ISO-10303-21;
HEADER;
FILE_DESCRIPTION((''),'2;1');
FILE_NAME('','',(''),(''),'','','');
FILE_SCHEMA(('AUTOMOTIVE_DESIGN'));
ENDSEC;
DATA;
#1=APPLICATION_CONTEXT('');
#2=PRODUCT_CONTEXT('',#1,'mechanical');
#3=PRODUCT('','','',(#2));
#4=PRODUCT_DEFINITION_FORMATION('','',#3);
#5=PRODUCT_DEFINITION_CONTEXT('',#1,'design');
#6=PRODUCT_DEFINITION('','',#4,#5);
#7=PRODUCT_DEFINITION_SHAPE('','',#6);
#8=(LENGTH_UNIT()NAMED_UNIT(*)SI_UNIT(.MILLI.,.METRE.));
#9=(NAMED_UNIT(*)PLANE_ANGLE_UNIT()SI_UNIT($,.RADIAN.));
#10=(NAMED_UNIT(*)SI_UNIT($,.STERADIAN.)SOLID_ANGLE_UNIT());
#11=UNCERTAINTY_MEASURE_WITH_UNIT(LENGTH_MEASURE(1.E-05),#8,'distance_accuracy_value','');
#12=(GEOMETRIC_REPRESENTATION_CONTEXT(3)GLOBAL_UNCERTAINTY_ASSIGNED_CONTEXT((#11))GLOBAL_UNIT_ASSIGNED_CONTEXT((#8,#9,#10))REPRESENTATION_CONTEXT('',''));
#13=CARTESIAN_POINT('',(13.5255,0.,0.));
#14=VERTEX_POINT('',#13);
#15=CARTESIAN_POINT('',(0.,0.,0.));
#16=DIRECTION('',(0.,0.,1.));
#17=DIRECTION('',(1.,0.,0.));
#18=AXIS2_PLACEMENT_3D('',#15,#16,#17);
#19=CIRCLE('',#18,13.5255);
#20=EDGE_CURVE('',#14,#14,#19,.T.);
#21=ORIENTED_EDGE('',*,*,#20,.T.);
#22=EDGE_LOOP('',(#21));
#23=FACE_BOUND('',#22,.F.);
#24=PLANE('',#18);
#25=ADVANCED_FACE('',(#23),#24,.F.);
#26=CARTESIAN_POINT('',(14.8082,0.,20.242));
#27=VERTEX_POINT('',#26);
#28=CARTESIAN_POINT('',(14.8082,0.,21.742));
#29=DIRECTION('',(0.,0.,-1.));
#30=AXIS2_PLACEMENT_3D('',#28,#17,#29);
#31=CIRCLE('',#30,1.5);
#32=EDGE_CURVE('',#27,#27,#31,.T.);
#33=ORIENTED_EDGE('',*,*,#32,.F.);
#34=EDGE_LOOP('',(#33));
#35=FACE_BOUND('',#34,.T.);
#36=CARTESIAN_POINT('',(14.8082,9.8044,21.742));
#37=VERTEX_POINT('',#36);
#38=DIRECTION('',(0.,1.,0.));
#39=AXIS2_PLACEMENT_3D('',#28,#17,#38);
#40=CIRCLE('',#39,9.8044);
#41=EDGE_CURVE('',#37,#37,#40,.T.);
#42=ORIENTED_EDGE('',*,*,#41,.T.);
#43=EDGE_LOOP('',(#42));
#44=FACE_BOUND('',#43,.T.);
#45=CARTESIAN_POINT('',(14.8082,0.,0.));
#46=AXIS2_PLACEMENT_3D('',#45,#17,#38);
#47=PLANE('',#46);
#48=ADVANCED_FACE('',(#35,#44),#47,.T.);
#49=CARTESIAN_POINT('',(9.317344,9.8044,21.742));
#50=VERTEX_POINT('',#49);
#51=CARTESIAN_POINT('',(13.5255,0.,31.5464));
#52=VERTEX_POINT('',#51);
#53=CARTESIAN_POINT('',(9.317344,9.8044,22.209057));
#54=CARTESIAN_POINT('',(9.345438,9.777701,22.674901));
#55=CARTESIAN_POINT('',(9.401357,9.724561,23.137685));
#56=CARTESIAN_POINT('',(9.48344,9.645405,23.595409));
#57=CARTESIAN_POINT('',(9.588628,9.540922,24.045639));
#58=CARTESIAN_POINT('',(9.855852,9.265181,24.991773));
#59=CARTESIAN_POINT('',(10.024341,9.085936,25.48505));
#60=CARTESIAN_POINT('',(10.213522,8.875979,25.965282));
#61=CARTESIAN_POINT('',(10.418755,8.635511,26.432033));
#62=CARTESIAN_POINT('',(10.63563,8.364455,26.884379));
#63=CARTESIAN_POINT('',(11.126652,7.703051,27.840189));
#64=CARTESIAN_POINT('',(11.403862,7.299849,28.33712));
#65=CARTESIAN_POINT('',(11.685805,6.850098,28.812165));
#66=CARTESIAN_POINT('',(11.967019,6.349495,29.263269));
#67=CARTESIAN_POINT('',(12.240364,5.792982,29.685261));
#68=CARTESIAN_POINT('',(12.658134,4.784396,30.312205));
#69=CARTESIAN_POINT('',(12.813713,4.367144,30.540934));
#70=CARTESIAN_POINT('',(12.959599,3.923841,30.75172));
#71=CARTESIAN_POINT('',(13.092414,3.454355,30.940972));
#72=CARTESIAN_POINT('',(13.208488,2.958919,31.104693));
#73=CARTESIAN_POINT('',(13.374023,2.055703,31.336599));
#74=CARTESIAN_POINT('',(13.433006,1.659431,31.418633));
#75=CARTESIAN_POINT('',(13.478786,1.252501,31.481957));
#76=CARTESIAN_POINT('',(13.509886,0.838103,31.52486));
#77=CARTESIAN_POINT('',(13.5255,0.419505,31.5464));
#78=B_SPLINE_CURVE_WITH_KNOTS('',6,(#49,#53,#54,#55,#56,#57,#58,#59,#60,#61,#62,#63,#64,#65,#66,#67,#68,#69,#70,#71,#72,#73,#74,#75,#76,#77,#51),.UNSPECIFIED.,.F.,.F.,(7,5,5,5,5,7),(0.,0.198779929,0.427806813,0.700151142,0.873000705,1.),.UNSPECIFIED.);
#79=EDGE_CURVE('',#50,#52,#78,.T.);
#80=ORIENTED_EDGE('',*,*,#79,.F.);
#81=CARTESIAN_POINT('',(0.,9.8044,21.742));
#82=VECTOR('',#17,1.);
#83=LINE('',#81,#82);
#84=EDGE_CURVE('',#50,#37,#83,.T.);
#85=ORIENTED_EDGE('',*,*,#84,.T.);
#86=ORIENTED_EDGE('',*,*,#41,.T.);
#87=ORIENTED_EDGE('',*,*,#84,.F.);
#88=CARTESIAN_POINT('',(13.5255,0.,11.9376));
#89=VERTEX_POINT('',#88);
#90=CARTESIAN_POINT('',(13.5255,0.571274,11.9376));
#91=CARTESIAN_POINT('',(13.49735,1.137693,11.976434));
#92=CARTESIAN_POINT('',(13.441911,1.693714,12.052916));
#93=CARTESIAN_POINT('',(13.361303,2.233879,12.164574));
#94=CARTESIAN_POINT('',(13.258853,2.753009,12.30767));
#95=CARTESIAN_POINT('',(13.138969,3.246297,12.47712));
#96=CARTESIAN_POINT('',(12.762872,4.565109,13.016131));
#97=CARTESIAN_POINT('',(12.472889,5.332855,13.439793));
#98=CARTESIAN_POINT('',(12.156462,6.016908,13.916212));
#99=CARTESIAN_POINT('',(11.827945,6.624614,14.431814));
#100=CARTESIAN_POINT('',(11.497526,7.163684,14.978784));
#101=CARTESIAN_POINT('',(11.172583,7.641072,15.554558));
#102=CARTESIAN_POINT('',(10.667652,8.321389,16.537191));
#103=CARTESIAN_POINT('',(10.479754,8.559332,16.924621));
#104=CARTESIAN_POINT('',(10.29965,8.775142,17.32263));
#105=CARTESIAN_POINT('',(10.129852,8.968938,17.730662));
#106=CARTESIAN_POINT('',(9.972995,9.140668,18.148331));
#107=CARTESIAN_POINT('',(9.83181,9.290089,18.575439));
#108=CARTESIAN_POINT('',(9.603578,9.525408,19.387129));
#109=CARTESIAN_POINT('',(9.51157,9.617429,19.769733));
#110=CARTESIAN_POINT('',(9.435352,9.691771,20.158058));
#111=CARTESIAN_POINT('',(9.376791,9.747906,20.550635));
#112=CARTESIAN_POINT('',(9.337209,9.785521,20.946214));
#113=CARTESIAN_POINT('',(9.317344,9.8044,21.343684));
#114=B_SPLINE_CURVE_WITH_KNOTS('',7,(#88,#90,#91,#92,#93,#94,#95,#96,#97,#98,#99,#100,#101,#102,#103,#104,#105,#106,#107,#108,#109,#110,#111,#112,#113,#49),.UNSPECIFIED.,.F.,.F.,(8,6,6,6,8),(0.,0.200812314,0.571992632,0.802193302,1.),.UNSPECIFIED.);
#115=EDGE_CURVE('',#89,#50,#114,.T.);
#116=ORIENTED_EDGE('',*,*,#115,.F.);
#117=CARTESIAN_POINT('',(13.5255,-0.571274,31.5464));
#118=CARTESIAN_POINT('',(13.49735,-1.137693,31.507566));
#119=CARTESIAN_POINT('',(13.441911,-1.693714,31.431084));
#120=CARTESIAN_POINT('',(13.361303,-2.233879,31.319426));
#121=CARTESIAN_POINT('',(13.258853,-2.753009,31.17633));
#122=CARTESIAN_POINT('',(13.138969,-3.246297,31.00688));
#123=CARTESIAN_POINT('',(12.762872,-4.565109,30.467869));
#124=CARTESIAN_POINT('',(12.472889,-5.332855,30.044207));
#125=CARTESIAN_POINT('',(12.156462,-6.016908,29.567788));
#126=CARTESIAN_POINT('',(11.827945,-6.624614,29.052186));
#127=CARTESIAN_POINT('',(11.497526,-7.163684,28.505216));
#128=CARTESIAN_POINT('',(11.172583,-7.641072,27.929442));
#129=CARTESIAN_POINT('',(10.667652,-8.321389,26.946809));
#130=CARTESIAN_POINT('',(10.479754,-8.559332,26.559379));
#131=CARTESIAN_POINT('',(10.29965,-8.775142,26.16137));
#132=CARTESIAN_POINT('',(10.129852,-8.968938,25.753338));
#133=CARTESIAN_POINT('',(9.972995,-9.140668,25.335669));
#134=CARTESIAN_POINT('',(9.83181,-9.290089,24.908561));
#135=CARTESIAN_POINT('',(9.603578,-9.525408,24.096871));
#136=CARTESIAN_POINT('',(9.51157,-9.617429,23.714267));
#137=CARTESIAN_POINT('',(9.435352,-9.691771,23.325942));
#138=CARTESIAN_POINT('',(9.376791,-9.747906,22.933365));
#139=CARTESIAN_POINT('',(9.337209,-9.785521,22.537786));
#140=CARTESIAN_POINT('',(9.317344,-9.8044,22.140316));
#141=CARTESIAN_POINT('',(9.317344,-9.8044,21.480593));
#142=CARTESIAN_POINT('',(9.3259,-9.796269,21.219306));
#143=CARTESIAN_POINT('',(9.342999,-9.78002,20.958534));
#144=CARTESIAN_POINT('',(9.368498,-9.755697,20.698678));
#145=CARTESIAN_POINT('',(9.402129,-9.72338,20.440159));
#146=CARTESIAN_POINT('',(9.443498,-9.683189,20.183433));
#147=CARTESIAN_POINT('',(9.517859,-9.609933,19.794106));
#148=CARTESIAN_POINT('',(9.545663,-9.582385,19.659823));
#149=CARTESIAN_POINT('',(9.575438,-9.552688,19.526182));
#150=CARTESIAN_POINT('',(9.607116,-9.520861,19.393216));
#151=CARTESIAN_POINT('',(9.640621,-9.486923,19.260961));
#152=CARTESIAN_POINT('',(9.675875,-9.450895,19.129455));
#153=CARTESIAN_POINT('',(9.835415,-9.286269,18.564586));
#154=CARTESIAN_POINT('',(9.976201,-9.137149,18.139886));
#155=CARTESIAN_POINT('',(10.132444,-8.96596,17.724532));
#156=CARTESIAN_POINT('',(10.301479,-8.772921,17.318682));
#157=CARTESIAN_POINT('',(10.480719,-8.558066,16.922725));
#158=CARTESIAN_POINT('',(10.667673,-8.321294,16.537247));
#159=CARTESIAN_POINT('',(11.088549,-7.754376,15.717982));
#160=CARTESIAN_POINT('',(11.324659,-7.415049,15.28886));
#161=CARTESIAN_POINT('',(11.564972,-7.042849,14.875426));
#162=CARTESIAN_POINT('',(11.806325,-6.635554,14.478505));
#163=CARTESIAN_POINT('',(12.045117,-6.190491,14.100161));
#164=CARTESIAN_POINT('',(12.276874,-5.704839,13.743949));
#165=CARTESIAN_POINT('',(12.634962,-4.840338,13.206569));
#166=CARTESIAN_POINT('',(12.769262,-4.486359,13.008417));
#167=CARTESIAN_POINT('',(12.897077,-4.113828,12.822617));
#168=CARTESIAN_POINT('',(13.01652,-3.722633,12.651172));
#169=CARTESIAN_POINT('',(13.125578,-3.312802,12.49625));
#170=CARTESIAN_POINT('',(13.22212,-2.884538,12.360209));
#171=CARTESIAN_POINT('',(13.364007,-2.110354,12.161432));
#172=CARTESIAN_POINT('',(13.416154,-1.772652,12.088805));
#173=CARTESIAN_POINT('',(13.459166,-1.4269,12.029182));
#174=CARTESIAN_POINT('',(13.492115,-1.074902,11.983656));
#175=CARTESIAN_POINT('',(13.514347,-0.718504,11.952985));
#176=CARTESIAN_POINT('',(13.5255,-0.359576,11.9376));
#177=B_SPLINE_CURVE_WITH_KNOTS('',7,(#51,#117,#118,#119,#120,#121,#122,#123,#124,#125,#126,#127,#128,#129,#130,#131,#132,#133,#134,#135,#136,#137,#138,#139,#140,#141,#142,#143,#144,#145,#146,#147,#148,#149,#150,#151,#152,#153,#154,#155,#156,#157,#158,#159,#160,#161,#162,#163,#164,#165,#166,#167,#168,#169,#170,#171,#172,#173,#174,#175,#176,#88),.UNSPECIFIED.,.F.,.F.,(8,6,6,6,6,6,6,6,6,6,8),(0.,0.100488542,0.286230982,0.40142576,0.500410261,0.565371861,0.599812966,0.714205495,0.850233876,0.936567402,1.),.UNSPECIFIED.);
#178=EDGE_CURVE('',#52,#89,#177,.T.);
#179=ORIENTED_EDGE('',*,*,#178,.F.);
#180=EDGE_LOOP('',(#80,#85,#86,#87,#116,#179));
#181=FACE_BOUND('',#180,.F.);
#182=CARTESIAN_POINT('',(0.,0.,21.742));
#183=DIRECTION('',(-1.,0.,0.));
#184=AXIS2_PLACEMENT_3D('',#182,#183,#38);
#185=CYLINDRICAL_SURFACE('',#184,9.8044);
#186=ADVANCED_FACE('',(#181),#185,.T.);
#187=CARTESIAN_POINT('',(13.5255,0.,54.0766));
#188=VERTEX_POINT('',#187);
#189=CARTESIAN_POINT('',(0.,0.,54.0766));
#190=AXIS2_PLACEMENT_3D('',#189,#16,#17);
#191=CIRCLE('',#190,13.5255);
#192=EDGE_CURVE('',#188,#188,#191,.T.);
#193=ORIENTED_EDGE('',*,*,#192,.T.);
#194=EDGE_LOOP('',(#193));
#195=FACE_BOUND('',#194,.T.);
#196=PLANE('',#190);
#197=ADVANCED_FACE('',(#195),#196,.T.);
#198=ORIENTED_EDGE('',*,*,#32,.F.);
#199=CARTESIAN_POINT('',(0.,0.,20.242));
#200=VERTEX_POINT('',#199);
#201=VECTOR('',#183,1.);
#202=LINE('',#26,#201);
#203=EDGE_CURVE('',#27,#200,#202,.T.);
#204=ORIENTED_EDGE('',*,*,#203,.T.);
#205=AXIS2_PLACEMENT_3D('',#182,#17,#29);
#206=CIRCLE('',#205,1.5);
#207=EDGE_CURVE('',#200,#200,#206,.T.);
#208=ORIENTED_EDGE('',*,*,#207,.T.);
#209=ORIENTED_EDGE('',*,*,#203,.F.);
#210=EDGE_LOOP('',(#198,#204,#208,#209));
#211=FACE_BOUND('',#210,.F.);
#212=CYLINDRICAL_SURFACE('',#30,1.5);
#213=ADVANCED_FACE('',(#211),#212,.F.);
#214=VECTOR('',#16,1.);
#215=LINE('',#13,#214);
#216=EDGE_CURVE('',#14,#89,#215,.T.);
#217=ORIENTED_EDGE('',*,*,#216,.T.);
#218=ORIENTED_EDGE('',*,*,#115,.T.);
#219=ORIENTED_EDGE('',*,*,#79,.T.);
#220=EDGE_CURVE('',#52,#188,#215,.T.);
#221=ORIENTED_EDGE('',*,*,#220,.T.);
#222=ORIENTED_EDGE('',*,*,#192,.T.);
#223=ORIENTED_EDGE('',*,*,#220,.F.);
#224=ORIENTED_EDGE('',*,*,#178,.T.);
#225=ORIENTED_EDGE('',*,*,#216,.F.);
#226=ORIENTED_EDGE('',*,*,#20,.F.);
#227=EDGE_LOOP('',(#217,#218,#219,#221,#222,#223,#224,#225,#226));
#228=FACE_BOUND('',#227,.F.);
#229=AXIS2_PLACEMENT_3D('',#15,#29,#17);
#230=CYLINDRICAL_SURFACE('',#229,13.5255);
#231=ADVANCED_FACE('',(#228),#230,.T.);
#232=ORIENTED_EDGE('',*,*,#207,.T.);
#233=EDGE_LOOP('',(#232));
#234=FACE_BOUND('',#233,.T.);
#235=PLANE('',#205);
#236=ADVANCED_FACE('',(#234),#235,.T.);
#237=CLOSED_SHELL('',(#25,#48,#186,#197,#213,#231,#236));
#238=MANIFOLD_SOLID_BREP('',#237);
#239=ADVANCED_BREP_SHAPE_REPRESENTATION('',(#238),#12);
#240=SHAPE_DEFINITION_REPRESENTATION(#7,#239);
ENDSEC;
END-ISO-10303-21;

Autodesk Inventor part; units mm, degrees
ref_plane "YZ Plane" through (0, 0, 0) normal (1, 0, 0) x (0, 1, 0)
ref_plane "XZ Plane" through (0, 0, 0) normal (0, 1, 0) x (-1, 0, 0)
ref_plane "XY Plane" through (0, 0, 0) normal (0, 0, 1) x (1, 0, 0)
sketch "Sketch1" plane through (0, 0, 0) normal (0, 0, 1) x (1, 0, 0)
  circle A0 centre (0, 0) radius 13.5255
  dimension "d0" = 27.051
extrude "Extrusion1" add sketch "Sketch1" along normal blind 54.0766
sketch "Sketch2" plane through (0, 0, 0) normal (1, 0, 0) x (0, 1, 0)
  circle A0 centre (0, 21.742) radius 9.8044
  point P0 (0, 0)
  dimension "d3" = 19.6088
extrude "Extrusion2" add sketch "Sketch2" along normal blind 14.8082
sketch "Sketch3" plane through (14.8082, 0, 21.742) normal (1, 0, 0) x (0, 0, -1)
  circle A0 centre (0, 0) radius 1.5
  point P0 (21.742, 0)
  dimension "d6" = 3
extrude "Extrusion3" cut sketch "Sketch3" against normal blind 14.8082
properties part number "Camera"
